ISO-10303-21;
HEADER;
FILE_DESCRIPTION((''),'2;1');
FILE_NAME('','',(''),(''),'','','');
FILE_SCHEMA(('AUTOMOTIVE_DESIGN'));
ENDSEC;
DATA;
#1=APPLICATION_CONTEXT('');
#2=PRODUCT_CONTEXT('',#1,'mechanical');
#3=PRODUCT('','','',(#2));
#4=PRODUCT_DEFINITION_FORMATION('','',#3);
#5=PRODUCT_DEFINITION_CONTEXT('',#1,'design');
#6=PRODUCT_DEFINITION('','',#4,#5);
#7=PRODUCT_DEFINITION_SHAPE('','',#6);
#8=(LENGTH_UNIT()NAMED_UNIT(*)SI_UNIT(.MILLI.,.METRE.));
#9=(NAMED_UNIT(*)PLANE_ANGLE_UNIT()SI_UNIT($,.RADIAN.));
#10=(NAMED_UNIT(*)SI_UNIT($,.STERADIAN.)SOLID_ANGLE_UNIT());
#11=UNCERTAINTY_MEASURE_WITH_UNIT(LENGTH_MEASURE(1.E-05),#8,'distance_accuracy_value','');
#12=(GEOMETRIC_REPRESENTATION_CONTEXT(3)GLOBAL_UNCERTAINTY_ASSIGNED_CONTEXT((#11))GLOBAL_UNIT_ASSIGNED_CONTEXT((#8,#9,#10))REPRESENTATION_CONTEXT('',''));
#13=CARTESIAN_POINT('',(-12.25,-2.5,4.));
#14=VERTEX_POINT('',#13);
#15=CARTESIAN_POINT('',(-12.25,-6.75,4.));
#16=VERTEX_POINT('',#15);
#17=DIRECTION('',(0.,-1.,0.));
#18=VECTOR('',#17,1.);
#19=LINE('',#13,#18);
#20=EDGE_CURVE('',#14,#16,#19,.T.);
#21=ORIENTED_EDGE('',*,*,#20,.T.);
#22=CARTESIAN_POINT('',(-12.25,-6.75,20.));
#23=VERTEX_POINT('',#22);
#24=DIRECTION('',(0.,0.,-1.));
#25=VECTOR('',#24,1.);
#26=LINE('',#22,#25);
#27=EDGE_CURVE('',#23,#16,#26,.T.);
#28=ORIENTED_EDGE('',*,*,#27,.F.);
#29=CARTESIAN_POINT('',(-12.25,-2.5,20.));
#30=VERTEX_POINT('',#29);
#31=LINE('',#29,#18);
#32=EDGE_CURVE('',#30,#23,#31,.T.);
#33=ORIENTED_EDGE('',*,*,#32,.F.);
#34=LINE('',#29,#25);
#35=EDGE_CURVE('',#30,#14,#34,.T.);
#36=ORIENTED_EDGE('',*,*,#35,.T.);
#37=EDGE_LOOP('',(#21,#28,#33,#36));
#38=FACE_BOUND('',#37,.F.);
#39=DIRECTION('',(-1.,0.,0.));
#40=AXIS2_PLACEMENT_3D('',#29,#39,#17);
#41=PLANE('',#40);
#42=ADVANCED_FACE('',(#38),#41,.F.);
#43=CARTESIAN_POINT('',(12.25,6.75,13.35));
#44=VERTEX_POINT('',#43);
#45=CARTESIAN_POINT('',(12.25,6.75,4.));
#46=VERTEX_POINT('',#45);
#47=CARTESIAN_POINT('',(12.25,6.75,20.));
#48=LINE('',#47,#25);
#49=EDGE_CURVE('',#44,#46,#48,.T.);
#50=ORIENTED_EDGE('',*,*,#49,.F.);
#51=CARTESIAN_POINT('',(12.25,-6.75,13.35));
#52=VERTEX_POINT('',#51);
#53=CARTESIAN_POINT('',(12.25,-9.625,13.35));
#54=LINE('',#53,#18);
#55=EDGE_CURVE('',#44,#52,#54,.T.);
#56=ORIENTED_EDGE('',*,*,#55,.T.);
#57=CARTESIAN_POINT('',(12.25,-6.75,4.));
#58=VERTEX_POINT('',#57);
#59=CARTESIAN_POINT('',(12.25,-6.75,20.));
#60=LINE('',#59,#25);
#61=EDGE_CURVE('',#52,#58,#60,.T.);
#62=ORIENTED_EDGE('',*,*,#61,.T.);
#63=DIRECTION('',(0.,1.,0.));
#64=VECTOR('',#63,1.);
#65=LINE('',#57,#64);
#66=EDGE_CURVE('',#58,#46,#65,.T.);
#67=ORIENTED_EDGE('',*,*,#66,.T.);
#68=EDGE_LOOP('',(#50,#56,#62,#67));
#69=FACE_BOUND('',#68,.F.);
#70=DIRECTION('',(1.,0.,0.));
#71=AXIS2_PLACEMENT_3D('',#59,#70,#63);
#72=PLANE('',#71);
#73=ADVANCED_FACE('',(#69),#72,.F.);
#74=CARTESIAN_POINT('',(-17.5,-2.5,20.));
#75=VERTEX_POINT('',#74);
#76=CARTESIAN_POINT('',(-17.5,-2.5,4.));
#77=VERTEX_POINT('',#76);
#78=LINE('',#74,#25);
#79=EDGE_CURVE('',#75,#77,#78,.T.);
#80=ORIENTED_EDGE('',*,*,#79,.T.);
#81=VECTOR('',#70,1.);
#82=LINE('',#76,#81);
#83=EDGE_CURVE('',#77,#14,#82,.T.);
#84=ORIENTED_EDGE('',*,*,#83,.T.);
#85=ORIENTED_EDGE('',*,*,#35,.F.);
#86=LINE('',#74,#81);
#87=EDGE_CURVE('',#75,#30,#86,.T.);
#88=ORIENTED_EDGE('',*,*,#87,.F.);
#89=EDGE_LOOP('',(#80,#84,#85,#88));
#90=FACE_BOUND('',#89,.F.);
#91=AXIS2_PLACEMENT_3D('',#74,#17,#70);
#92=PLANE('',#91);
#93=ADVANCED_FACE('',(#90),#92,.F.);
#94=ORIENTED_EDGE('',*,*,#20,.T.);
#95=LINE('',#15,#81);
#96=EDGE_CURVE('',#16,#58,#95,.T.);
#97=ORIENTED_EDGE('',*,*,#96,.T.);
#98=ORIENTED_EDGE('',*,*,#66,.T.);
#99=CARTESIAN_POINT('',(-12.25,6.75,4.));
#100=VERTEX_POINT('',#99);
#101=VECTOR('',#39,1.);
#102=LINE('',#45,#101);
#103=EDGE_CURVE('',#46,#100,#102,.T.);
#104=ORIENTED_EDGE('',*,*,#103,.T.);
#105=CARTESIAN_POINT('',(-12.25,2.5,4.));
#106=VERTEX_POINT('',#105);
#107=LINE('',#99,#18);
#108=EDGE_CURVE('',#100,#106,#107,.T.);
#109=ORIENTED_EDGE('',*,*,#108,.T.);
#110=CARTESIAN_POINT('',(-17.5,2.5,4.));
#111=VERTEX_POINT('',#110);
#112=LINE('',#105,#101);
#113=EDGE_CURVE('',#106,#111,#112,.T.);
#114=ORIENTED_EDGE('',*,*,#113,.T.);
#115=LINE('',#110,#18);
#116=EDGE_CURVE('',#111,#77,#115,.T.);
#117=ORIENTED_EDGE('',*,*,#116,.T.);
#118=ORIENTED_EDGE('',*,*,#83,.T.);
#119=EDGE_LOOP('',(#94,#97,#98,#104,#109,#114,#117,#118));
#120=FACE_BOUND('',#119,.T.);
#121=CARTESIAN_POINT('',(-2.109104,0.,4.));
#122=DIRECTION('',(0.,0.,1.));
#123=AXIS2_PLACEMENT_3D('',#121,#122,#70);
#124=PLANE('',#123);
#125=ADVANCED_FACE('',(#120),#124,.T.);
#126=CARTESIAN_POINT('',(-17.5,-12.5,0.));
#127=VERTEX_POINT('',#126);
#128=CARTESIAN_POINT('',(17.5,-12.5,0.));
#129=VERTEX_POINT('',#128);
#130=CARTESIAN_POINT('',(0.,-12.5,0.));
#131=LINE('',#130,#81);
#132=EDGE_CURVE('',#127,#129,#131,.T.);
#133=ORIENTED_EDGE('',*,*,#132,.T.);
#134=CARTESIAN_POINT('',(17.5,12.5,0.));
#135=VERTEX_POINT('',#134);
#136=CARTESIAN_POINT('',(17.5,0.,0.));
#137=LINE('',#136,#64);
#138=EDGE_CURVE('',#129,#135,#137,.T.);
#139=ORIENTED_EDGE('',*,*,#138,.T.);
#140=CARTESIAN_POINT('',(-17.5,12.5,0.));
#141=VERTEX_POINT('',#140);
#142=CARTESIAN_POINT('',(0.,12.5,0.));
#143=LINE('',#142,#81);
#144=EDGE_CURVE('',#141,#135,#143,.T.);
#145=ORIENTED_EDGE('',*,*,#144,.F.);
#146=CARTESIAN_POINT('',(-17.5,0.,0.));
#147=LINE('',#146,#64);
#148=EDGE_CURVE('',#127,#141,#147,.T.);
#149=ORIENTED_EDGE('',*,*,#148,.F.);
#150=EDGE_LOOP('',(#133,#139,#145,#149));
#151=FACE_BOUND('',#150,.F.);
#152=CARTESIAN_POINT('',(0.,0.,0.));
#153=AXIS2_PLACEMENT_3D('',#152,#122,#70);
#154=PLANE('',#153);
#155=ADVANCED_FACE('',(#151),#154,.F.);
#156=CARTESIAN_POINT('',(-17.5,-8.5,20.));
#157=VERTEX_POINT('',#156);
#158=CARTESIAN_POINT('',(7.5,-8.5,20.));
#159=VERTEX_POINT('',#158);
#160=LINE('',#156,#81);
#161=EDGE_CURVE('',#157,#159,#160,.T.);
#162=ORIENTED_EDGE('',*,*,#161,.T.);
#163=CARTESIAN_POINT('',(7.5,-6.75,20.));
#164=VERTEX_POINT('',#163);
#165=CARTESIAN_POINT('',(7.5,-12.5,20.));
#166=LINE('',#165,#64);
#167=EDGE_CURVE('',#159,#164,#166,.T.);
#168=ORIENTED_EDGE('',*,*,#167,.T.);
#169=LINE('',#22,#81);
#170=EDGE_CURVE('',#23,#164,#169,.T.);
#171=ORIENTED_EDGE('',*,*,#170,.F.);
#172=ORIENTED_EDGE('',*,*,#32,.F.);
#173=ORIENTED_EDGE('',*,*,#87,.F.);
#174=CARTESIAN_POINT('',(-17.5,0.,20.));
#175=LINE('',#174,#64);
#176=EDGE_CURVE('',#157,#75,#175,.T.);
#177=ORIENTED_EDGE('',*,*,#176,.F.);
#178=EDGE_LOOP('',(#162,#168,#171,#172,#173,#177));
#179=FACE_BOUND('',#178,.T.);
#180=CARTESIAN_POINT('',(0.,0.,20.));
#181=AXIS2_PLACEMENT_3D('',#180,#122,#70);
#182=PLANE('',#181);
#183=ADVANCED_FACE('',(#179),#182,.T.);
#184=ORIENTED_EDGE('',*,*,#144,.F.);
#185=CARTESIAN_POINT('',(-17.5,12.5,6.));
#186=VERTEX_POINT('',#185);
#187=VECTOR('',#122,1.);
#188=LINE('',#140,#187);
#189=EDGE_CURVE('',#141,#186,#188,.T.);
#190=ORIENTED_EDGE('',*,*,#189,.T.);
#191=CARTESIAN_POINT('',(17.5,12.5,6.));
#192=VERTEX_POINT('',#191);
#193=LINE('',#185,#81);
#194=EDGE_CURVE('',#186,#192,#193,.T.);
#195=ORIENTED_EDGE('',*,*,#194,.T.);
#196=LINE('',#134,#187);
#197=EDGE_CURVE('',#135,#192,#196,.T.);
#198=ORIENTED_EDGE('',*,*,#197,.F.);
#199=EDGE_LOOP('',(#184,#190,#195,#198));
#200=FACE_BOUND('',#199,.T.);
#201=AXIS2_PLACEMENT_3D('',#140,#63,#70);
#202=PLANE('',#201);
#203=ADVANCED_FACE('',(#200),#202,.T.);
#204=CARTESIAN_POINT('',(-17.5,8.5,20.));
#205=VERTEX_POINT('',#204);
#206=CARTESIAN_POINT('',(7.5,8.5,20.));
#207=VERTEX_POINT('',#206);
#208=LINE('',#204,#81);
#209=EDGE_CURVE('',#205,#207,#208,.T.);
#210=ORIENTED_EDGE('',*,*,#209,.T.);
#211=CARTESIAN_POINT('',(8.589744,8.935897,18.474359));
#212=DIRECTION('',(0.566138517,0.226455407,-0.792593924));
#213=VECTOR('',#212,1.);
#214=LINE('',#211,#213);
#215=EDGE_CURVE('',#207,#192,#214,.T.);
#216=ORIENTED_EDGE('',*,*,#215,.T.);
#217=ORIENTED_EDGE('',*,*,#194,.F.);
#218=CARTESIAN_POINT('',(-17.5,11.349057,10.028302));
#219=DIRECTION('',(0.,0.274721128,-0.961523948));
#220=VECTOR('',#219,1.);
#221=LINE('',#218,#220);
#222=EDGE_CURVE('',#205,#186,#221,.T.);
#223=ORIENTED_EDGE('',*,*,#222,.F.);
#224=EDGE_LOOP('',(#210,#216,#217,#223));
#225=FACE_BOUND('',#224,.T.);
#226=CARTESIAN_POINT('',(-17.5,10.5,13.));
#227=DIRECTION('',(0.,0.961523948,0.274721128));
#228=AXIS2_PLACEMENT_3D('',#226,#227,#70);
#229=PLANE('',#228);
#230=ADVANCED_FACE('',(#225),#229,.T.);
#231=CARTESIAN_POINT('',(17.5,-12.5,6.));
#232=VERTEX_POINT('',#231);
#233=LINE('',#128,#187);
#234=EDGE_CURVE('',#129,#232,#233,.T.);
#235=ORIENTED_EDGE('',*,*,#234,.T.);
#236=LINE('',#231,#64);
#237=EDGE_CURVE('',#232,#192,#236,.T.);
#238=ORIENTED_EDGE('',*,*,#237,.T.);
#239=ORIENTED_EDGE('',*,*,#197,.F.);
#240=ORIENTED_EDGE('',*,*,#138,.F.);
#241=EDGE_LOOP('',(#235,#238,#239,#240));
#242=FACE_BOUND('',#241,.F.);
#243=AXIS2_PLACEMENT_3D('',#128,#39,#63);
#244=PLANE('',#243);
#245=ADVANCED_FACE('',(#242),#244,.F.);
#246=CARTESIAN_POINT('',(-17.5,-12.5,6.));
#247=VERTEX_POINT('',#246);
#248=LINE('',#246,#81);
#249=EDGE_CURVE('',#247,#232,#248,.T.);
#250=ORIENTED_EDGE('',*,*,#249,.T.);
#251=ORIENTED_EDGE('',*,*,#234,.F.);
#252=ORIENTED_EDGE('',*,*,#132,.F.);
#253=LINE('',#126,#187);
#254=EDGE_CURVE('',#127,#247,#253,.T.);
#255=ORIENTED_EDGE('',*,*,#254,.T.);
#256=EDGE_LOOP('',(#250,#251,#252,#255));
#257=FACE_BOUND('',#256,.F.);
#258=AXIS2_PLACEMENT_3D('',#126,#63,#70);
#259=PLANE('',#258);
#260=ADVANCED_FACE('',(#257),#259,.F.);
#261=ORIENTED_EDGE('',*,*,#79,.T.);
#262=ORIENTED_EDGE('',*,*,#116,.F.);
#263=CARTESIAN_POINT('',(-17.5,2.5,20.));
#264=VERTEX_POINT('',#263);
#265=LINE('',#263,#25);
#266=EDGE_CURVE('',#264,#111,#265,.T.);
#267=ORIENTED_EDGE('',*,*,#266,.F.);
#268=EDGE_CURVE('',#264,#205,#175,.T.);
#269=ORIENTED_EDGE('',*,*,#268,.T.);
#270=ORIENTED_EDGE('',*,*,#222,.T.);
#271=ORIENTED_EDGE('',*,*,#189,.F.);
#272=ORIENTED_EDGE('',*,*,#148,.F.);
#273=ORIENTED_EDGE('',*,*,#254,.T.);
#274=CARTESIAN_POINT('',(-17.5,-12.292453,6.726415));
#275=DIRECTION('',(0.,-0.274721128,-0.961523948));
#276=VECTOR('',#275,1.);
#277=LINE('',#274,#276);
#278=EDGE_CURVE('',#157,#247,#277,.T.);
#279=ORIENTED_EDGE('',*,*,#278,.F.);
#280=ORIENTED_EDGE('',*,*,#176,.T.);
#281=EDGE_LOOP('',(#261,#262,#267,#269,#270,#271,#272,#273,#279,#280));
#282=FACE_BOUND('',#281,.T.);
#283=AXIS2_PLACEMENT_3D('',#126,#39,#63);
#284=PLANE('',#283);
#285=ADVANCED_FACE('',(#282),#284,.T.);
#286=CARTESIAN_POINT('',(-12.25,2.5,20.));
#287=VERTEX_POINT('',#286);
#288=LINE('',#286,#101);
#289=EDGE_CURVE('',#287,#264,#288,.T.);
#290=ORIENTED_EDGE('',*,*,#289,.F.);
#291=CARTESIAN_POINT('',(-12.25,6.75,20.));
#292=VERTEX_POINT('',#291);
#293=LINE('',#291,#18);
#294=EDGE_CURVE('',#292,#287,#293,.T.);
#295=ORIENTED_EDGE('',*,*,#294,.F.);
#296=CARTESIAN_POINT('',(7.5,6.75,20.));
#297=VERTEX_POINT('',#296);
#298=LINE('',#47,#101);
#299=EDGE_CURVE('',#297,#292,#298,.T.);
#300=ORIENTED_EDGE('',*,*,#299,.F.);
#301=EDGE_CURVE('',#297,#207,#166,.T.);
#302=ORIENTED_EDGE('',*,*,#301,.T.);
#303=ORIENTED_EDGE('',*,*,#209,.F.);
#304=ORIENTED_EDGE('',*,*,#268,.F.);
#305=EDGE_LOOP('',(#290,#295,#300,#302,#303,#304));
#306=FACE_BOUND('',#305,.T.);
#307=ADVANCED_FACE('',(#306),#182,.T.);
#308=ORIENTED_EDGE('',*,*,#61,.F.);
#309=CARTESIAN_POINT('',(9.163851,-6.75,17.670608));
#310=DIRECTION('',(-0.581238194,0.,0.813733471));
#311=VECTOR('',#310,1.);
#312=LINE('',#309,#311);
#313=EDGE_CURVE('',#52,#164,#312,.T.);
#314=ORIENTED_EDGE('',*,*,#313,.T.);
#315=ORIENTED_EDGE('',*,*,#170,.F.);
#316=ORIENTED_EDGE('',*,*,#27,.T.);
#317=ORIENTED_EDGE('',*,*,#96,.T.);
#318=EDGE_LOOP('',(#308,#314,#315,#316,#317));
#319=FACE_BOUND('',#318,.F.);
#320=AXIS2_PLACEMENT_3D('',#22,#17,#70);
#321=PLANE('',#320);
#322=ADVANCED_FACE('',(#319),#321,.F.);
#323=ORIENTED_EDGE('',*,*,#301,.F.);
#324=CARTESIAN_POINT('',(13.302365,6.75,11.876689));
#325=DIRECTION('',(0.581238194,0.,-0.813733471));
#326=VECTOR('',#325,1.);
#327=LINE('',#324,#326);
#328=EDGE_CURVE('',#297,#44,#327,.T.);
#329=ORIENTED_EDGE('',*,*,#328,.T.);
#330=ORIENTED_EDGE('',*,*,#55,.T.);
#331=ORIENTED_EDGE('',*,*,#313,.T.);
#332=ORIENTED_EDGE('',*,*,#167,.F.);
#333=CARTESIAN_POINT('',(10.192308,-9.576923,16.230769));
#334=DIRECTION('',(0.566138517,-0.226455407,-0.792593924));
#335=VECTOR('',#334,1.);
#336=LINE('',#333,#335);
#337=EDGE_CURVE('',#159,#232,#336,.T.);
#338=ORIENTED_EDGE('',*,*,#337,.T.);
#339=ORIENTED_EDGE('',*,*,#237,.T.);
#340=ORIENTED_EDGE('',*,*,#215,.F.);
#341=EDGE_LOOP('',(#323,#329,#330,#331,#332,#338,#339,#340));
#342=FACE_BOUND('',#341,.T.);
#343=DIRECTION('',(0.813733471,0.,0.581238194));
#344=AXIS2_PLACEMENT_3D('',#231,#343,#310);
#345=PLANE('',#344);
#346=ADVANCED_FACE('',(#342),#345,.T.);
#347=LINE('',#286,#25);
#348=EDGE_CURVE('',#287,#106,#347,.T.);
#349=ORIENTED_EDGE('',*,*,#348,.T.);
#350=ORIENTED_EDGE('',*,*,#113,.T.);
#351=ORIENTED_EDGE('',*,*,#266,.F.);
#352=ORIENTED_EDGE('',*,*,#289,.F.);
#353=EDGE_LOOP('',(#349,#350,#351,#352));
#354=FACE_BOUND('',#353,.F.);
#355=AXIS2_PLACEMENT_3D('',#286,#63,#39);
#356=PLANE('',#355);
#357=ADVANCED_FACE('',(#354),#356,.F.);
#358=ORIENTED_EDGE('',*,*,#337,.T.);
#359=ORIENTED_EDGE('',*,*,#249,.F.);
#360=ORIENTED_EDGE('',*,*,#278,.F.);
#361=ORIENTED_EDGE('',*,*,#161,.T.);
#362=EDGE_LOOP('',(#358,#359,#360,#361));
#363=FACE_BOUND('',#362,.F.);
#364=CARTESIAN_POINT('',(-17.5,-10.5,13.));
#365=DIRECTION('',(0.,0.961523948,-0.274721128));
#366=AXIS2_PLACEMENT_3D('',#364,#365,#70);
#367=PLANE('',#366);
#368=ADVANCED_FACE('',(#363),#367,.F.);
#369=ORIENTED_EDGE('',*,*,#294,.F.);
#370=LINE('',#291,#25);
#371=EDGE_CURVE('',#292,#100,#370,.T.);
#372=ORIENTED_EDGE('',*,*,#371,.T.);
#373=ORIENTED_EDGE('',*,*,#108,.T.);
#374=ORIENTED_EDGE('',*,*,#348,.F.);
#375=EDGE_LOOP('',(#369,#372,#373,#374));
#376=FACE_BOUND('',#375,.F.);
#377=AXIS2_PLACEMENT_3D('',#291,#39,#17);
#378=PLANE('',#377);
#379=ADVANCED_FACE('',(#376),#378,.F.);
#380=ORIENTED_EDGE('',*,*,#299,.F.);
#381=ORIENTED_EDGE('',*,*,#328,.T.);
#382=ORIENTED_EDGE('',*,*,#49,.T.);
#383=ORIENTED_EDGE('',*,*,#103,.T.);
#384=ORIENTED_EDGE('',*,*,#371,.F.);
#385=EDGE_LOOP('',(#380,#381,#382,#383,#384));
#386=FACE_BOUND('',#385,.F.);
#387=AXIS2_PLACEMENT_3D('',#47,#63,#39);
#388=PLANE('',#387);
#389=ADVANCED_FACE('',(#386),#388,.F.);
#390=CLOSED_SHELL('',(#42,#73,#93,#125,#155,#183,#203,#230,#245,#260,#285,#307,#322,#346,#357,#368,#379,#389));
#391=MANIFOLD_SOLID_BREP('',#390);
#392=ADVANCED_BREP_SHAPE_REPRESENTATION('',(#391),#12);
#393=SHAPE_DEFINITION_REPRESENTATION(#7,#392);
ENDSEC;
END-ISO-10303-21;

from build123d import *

# Parameters (mm, degrees)
SKETCH_W         = 35
SKETCH_H         = 25
PAD_DEPTH        = 20
POCKET_DEPTH     = 16
CHAMFER_SIZE2    = 14
CHAMFER_SIZE     = 4
CHAMFER001_SIZE2 = 14
CHAMFER001_SIZE  = 4
POCKET001_DEPTH  = 25.001


with BuildPart() as part:
    # Sketch → Pad (new body)
    with BuildSketch(Plane.XY):
        Rectangle(SKETCH_W, SKETCH_H)
    extrude(amount=PAD_DEPTH)

    # Sketch001 (on Face6 of Pad) → Pocket (cut)
    with BuildSketch(Plane.XY.offset(20)):
        Polygon((-12.25, -6.75), (12.25, -6.75), (12.25, 6.75), (-12.25, 6.75), (-12.25, 2.5), (-17.5, 2.5), (-17.5, -2.5), (-12.25, -2.5), align=None)
    extrude(amount=-POCKET_DEPTH, mode=Mode.SUBTRACT)

    # Chamfer
    chamfer_edges = [part.edges().sort_by_distance(p)[0] for p in [
        (0, -12.5, 20),
    ]]
    chamfer_side = part.faces().sort_by_distance((-17.069884, -7.5, 20))[0]
    chamfer(chamfer_edges, length=CHAMFER_SIZE, length2=CHAMFER_SIZE2, reference=chamfer_side)

    # Chamfer001
    chamfer001_edges = [part.edges().sort_by_distance(p)[0] for p in [
        (0, 12.5, 20),
    ]]
    chamfer001_side = part.faces().sort_by_distance((-17.091833, -5.5, 20))[0]
    chamfer(chamfer001_edges, length=CHAMFER001_SIZE, length2=CHAMFER001_SIZE2, reference=chamfer001_side)

    # Sketch002 (on Face6 of Chamfer001) → Pocket001 (cut, through all)
    with BuildSketch(Plane.XZ.offset(12.5)):
        Polygon((7.5, 20), (17.5, 20), (17.5, 6), align=None)
    extrude(amount=-POCKET001_DEPTH, mode=Mode.SUBTRACT)


solid = part.part
